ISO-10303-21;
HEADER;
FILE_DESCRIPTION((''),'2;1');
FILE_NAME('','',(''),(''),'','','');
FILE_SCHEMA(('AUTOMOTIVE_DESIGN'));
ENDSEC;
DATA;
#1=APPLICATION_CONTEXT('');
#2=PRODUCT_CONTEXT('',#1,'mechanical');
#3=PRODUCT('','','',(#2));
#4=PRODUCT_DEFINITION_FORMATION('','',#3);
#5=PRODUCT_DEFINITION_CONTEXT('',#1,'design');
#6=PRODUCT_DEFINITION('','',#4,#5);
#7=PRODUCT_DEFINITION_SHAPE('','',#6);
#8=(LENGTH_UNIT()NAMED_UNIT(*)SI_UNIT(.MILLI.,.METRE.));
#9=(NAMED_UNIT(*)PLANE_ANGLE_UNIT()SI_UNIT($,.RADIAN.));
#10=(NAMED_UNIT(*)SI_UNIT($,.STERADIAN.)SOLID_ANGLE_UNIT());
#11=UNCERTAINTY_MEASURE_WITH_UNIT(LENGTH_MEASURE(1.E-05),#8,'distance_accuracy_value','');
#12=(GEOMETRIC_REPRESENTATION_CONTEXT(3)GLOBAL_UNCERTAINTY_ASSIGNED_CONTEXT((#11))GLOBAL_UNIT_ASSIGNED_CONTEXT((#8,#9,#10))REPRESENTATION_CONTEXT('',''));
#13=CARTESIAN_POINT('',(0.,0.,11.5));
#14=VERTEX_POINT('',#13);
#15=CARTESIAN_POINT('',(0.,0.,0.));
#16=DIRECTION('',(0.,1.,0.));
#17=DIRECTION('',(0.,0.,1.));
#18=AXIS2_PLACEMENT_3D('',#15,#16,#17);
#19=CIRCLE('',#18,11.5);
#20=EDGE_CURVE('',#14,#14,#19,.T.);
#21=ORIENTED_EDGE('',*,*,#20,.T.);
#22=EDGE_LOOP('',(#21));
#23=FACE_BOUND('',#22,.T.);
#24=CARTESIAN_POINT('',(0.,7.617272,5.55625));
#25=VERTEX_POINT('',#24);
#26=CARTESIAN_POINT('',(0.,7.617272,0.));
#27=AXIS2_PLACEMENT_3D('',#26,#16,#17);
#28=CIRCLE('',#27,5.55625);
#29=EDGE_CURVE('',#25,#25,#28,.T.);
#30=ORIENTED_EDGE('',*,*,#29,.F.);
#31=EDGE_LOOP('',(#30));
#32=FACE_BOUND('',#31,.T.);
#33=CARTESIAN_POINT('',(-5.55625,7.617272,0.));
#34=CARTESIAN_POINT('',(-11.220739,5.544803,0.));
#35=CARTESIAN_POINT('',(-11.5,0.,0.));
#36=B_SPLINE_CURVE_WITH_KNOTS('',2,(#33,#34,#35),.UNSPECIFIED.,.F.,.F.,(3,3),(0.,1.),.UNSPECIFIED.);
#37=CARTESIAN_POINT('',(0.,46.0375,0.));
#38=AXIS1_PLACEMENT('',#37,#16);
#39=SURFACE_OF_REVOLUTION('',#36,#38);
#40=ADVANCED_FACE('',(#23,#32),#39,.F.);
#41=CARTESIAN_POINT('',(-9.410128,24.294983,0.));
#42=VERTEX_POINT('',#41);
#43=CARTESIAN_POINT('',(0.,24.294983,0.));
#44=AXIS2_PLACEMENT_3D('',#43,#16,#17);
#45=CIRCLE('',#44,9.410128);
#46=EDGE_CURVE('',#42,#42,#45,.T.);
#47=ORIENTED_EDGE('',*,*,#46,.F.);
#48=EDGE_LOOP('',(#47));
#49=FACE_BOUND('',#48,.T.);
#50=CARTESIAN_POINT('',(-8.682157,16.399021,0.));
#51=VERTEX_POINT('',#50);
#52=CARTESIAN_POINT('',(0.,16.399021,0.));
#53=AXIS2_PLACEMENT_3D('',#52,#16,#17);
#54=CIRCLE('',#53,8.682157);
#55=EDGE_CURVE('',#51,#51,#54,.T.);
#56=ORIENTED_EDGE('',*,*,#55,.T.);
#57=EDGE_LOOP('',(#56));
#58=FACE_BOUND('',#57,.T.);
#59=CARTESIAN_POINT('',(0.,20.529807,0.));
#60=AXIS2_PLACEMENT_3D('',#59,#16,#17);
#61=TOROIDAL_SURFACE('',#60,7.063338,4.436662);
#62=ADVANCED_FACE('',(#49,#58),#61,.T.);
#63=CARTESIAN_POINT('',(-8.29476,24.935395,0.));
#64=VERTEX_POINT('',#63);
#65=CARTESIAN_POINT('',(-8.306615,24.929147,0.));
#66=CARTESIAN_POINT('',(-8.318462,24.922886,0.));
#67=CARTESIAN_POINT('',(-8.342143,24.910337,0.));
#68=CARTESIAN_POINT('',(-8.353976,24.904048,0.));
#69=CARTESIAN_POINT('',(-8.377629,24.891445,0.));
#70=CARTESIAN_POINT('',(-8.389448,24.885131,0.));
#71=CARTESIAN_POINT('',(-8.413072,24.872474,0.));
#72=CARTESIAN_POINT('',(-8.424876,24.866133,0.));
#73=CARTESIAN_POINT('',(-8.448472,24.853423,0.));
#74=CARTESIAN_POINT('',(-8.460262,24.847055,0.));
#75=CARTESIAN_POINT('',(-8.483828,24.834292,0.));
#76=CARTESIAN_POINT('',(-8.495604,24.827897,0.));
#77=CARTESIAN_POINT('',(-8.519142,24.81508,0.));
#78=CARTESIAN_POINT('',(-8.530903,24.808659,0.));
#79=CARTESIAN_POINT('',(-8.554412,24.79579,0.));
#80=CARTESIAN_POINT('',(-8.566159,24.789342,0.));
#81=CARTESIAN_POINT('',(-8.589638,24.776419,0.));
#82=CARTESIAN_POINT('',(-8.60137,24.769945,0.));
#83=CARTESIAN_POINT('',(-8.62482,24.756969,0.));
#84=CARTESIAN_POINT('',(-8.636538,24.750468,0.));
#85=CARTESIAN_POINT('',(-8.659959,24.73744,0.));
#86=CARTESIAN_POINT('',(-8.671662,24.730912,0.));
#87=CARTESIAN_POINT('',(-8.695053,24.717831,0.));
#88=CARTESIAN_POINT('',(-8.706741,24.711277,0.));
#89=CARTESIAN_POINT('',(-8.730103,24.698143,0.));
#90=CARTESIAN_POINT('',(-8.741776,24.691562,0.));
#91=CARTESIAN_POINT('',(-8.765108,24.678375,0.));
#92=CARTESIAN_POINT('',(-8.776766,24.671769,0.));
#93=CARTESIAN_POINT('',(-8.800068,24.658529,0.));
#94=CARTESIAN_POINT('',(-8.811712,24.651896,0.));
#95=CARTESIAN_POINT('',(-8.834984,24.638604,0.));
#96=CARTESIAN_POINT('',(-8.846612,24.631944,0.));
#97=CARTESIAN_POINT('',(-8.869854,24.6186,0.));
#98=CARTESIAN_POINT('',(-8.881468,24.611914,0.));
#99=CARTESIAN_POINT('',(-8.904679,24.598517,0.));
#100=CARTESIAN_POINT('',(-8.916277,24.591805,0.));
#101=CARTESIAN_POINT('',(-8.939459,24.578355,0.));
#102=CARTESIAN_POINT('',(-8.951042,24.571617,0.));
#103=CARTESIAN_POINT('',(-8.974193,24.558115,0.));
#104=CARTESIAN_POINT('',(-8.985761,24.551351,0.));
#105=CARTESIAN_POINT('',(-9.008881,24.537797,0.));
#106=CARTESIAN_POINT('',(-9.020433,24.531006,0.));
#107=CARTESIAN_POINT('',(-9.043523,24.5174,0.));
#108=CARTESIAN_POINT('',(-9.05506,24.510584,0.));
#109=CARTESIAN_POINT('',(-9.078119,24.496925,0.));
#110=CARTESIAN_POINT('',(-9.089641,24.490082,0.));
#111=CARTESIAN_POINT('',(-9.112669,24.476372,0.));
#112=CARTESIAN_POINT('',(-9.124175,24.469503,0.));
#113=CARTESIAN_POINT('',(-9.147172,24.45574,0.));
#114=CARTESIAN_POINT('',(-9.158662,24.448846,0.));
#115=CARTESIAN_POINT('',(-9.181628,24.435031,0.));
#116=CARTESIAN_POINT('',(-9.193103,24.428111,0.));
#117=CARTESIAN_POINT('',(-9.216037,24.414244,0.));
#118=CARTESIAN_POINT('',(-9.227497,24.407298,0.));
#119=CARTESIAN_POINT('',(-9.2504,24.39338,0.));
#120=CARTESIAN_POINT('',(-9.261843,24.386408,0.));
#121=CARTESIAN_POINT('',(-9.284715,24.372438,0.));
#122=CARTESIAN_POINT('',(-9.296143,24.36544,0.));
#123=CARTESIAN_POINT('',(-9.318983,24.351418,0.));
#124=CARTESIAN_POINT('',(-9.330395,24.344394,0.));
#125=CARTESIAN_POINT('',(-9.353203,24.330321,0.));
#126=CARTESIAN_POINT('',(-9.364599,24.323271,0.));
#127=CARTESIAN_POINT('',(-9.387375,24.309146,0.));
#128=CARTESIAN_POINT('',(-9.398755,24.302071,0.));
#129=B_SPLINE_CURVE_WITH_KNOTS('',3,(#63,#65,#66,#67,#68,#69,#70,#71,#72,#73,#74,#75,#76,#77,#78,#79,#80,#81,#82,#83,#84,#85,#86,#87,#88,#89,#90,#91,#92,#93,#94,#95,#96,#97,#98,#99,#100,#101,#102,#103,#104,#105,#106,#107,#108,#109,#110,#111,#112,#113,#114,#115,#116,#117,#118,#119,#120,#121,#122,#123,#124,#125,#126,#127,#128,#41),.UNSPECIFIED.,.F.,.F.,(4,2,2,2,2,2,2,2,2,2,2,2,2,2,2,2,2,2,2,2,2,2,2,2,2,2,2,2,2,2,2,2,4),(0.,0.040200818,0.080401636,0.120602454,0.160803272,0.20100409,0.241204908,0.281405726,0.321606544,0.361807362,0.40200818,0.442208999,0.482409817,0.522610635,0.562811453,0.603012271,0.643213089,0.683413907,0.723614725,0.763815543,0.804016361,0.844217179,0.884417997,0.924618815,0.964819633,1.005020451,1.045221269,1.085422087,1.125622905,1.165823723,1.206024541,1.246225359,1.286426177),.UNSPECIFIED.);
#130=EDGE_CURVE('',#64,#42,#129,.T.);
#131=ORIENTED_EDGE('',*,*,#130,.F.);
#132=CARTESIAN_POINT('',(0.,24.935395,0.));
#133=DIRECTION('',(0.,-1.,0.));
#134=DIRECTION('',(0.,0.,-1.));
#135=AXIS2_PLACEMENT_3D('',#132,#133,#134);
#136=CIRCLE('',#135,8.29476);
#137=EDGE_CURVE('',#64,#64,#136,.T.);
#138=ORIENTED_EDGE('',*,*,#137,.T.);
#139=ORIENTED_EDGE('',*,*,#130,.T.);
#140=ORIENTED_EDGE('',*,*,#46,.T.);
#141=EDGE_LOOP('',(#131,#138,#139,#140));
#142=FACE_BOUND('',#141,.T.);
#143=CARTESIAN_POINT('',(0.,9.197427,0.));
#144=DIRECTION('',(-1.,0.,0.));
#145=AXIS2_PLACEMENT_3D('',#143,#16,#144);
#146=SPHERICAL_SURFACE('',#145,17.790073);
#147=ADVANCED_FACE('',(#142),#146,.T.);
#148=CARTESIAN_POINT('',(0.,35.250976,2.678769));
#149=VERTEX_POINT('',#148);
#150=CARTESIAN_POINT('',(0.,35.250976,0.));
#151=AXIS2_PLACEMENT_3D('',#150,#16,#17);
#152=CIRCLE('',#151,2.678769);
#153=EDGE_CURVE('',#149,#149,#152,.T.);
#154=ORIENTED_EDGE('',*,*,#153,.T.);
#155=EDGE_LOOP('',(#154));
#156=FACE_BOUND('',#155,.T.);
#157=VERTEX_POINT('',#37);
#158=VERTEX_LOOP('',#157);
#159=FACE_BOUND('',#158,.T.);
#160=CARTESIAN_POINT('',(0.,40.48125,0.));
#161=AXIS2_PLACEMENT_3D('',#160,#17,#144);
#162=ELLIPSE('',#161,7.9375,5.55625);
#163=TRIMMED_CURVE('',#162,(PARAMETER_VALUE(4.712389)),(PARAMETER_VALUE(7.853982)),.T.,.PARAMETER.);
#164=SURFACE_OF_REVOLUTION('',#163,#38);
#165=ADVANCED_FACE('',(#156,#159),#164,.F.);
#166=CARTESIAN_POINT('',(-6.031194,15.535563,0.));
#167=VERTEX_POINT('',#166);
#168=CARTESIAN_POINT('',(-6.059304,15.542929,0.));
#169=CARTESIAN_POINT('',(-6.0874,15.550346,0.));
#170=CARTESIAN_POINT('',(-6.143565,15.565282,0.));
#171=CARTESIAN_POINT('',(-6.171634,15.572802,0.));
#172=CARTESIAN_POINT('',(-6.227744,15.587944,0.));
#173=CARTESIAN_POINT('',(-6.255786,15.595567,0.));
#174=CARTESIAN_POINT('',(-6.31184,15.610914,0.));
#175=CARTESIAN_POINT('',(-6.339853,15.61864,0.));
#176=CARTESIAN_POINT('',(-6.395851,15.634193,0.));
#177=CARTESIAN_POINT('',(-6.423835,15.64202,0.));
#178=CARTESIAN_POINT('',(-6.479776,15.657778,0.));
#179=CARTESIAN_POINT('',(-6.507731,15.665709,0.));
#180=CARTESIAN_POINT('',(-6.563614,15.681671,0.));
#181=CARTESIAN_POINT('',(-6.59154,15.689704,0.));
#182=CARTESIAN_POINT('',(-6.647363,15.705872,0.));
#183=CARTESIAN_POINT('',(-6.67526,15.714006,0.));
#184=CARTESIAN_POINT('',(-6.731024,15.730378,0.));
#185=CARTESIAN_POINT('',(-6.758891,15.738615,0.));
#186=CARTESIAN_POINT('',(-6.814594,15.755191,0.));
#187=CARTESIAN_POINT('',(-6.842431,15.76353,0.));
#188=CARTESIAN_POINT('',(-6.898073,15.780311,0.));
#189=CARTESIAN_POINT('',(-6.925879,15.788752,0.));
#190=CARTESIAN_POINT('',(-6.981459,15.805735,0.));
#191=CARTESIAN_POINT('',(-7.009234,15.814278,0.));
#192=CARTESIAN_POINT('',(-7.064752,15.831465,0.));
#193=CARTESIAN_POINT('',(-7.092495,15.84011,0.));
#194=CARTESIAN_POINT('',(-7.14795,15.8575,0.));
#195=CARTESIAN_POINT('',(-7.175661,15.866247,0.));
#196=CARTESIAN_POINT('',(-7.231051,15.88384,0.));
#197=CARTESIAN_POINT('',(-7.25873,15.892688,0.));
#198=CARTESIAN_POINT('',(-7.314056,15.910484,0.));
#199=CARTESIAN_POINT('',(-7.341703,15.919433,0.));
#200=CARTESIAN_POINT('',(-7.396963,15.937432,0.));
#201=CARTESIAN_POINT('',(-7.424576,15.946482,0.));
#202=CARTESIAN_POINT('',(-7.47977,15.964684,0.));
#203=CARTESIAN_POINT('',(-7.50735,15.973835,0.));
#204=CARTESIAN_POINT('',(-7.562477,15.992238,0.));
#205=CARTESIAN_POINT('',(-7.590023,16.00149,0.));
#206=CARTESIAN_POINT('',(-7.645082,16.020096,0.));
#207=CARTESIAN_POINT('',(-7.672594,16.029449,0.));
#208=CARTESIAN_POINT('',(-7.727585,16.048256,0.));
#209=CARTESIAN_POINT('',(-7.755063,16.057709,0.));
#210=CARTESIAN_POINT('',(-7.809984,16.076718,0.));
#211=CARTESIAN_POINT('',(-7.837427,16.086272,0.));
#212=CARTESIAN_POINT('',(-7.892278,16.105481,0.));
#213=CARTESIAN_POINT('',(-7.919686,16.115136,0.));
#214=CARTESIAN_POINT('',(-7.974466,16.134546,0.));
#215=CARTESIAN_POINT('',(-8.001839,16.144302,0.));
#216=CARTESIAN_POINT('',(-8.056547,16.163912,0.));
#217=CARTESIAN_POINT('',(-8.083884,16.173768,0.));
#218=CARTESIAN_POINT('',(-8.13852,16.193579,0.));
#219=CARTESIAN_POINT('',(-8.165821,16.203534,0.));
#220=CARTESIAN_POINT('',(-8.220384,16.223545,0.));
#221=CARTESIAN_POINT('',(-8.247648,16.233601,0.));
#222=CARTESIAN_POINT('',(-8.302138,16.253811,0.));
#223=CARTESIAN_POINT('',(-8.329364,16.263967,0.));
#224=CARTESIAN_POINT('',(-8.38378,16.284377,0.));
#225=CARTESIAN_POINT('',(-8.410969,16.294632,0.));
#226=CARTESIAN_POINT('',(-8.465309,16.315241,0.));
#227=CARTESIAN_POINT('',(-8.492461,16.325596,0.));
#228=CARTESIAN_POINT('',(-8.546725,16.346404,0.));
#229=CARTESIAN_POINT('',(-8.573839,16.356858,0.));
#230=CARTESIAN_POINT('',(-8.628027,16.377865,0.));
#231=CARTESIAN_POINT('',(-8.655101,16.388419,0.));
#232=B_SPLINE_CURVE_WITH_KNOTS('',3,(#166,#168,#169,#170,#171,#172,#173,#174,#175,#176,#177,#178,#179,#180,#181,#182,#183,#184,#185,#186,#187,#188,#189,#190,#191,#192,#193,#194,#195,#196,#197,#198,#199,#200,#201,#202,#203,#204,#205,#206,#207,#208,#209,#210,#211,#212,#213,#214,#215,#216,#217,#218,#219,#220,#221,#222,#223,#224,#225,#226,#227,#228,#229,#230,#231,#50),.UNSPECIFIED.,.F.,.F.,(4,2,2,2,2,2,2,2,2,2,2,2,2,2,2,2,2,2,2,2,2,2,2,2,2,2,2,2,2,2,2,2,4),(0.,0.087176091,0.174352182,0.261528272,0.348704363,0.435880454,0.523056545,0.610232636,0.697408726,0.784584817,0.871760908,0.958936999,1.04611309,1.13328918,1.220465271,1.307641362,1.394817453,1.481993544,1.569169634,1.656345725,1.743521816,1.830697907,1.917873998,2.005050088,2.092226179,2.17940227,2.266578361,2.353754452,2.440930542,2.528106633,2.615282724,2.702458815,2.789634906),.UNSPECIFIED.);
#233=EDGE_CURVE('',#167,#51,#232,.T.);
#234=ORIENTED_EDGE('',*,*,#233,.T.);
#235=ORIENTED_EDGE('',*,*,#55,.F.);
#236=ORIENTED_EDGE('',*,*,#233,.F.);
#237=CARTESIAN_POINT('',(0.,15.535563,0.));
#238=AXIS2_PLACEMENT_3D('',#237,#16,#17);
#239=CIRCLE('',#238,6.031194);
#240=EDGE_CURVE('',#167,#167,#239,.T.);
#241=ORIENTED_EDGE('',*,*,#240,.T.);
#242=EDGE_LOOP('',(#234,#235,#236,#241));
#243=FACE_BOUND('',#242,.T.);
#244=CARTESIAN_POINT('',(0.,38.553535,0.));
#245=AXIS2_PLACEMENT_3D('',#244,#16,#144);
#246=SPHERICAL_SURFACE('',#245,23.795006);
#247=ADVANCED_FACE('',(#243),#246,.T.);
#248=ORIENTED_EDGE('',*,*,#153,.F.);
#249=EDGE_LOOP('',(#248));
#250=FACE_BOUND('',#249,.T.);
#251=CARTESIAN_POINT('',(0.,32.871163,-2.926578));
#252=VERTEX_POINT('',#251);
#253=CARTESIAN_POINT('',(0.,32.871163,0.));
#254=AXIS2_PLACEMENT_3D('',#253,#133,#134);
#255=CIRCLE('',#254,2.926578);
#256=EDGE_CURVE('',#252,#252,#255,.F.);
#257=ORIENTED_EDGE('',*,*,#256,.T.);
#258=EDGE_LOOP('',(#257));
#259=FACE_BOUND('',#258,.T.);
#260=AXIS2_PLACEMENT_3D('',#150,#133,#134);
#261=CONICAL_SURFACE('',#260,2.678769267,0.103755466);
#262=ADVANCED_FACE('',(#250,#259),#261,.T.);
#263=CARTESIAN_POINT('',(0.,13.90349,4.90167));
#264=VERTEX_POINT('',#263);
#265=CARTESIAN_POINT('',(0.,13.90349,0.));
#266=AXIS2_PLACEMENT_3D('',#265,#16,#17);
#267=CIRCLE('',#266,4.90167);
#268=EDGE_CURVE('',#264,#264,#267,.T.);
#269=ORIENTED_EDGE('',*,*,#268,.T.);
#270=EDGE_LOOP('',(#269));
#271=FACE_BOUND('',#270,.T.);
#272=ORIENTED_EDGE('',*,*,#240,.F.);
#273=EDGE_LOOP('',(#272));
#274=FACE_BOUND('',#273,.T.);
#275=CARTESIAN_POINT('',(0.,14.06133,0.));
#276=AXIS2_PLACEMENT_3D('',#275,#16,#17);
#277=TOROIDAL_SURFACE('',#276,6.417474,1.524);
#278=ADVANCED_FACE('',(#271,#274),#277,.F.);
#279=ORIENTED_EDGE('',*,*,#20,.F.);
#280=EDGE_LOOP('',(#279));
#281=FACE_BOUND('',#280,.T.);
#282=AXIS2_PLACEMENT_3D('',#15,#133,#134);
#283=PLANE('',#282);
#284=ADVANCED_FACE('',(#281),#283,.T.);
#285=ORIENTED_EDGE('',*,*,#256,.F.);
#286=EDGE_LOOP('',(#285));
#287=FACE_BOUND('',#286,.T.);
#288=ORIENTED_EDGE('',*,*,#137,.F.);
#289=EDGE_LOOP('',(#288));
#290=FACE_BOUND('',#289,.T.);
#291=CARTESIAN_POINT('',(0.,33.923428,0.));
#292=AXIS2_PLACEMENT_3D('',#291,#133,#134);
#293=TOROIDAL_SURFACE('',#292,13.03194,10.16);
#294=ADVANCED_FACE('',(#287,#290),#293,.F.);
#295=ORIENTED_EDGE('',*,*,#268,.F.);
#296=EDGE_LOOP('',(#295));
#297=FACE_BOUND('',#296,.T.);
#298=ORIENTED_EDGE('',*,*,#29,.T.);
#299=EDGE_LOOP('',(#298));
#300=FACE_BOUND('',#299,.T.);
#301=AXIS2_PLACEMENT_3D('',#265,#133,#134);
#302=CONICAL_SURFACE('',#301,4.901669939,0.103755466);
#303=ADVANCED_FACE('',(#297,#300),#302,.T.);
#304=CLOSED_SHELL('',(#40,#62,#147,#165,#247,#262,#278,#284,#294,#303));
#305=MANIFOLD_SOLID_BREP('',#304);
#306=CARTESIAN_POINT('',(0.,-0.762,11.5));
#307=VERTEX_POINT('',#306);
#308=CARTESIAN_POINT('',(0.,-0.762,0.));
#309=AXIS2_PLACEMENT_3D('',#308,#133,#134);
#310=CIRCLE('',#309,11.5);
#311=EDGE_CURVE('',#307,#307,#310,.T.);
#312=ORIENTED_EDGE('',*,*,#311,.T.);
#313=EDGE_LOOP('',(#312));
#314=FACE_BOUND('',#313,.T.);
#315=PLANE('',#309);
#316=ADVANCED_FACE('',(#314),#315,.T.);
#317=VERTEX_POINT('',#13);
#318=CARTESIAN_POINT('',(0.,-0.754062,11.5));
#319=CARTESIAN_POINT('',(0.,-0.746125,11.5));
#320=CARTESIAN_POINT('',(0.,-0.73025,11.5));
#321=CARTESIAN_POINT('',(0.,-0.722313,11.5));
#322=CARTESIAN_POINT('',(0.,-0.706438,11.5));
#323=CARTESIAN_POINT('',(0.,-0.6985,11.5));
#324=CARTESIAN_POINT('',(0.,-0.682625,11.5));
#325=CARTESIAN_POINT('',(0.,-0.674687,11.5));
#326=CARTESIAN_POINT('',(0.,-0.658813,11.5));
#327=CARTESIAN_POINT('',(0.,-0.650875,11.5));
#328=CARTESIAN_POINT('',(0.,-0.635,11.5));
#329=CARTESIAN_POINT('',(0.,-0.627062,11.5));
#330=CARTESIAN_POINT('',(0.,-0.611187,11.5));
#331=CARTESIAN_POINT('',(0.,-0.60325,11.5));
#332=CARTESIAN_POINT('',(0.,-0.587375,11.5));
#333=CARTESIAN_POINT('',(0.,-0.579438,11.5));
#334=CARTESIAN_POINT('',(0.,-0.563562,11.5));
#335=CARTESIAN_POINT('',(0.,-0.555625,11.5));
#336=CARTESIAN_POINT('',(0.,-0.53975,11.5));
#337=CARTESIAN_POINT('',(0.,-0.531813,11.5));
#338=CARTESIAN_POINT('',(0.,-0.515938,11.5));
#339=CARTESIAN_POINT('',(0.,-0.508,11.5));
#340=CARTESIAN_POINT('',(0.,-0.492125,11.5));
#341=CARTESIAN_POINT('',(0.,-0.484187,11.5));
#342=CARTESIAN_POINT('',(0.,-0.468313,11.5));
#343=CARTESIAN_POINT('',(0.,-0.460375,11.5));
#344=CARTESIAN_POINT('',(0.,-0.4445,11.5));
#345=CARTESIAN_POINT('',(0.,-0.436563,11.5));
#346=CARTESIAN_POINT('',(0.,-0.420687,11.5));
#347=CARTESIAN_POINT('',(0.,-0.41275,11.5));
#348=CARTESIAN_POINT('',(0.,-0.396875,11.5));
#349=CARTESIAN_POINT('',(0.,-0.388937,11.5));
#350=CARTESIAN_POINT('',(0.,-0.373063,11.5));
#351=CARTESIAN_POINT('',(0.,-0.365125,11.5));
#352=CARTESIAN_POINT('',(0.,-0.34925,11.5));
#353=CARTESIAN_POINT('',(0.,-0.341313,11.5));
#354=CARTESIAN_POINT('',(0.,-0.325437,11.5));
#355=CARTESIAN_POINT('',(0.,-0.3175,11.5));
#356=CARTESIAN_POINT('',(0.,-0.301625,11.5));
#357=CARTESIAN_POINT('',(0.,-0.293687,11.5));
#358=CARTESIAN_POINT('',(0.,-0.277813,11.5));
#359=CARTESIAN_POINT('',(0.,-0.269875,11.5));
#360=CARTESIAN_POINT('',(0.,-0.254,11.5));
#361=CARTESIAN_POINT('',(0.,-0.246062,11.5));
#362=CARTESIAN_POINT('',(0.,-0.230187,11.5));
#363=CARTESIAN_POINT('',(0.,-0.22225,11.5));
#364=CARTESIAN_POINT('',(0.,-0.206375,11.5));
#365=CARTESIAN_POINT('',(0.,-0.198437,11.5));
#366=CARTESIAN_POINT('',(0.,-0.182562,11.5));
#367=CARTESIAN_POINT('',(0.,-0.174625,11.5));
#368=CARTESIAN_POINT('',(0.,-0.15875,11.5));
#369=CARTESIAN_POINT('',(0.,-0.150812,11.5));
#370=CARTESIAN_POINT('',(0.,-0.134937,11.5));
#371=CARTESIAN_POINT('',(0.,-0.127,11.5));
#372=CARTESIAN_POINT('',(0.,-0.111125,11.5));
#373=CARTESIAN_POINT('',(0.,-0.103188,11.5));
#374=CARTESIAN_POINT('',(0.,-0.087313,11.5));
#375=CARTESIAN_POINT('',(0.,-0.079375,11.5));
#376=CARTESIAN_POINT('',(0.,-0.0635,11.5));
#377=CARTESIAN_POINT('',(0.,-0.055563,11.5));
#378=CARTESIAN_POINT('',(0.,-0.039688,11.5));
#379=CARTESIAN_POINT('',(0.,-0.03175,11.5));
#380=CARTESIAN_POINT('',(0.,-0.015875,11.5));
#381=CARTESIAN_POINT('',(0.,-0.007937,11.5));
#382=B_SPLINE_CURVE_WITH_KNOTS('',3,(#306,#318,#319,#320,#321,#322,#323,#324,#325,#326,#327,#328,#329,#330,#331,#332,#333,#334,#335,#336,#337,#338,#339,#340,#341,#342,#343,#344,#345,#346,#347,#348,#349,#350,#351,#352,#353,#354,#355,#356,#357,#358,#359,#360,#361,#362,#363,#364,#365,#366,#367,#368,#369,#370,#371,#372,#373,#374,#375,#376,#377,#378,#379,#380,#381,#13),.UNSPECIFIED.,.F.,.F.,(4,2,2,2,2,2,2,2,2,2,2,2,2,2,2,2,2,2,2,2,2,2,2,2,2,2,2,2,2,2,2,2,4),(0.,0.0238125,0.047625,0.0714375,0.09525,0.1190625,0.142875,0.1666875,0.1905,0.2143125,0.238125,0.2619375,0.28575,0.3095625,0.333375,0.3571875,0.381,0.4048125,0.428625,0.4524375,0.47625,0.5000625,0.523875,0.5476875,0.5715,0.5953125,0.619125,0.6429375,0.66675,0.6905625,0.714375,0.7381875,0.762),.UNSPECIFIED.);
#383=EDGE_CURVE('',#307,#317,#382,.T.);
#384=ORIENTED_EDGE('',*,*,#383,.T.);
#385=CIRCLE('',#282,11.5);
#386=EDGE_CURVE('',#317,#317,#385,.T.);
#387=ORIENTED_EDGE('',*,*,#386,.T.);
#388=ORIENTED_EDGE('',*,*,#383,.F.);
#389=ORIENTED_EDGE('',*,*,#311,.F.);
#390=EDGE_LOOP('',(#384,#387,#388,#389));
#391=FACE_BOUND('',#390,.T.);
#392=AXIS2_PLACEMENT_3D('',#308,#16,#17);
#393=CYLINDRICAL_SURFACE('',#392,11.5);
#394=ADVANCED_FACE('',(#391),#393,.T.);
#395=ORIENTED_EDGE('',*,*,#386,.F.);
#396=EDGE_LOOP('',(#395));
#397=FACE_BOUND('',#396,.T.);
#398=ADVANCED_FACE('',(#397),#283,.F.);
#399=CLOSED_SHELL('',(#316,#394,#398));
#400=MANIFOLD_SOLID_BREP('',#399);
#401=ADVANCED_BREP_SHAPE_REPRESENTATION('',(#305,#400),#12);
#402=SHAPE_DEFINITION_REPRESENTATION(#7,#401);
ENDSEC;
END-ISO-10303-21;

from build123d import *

# Parameters (mm, degrees)
FILLET1_R           = 10.16
SKETCH2_R           = 11.5
BOSS_EXTRUDE1_DEPTH = 0.762


with BuildPart() as part:
    # Sketch1 → Revolve2 (revolve)
    with BuildSketch(Plane.XY):
        with BuildLine():
            Line((0, 0), (-11.5, 0))
            add(Edge.make_bspline(
                [(-11.5, 0), (-11.220739293, 5.544803256), (-5.55625, 7.617272324)],
                knots=[0, 0, 0, 1, 1, 1], degree=2))
            Line((-5.55625, 7.617272324), (-4.901669939, 13.903490338))
            ThreePointArc((-4.901669939, 13.903490338), (-5.164319432, 14.928612706), (-6.031194019, 15.535563344))
            ThreePointArc((-6.031194019, 15.535563344), (-7.369332515, 15.928432597), (-8.682156627, 16.399021311))
            ThreePointArc((-8.682156627, 16.399021311), (-11.481263588, 20.122495295), (-9.410127559, 24.294983023))
            ThreePointArc((-9.410127559, 24.294983023), (-6.597205673, 25.719036341), (-3.577073686, 26.624166263))
            Line((-3.577073686, 26.624166263), (-2.678769267, 35.250975656))
            add(Edge.make_bspline(
                [(0, 46.0375), (-6.676683754, 46.0375), (-7.820213597, 41.432880768), (-8.96374344, 36.828261536), (-2.678769267, 35.250975656)],
                knots=[1.570796327, 1.570796327, 1.570796327, 2.969471921, 2.969471921, 4.368147514, 4.368147514, 4.368147514], degree=2, weights=[1, 0.765268623, 1, 0.765268623, 1]))
            Line((0, 46.0375), (0, 0))
        make_face()
    revolve(axis=Axis((0, 46.0375, 0), (0, -1, 0)))

    # Fillet1
    fillet1_edges = [part.edges().sort_by_distance(p)[0] for p in [
        (3.577073686, 26.624166263, 0),
    ]]
    fillet(fillet1_edges, radius=FILLET1_R)


with BuildPart() as body_2:
    # Sketch2 → Boss-Extrude1 (new body)
    with BuildSketch(Plane.XZ):
        with Locations(Location((0, 0, 0), (0, 0, 90))):
            Circle(SKETCH2_R)
    extrude(amount=BOSS_EXTRUDE1_DEPTH)


solid = Compound([part.part, body_2.part])
